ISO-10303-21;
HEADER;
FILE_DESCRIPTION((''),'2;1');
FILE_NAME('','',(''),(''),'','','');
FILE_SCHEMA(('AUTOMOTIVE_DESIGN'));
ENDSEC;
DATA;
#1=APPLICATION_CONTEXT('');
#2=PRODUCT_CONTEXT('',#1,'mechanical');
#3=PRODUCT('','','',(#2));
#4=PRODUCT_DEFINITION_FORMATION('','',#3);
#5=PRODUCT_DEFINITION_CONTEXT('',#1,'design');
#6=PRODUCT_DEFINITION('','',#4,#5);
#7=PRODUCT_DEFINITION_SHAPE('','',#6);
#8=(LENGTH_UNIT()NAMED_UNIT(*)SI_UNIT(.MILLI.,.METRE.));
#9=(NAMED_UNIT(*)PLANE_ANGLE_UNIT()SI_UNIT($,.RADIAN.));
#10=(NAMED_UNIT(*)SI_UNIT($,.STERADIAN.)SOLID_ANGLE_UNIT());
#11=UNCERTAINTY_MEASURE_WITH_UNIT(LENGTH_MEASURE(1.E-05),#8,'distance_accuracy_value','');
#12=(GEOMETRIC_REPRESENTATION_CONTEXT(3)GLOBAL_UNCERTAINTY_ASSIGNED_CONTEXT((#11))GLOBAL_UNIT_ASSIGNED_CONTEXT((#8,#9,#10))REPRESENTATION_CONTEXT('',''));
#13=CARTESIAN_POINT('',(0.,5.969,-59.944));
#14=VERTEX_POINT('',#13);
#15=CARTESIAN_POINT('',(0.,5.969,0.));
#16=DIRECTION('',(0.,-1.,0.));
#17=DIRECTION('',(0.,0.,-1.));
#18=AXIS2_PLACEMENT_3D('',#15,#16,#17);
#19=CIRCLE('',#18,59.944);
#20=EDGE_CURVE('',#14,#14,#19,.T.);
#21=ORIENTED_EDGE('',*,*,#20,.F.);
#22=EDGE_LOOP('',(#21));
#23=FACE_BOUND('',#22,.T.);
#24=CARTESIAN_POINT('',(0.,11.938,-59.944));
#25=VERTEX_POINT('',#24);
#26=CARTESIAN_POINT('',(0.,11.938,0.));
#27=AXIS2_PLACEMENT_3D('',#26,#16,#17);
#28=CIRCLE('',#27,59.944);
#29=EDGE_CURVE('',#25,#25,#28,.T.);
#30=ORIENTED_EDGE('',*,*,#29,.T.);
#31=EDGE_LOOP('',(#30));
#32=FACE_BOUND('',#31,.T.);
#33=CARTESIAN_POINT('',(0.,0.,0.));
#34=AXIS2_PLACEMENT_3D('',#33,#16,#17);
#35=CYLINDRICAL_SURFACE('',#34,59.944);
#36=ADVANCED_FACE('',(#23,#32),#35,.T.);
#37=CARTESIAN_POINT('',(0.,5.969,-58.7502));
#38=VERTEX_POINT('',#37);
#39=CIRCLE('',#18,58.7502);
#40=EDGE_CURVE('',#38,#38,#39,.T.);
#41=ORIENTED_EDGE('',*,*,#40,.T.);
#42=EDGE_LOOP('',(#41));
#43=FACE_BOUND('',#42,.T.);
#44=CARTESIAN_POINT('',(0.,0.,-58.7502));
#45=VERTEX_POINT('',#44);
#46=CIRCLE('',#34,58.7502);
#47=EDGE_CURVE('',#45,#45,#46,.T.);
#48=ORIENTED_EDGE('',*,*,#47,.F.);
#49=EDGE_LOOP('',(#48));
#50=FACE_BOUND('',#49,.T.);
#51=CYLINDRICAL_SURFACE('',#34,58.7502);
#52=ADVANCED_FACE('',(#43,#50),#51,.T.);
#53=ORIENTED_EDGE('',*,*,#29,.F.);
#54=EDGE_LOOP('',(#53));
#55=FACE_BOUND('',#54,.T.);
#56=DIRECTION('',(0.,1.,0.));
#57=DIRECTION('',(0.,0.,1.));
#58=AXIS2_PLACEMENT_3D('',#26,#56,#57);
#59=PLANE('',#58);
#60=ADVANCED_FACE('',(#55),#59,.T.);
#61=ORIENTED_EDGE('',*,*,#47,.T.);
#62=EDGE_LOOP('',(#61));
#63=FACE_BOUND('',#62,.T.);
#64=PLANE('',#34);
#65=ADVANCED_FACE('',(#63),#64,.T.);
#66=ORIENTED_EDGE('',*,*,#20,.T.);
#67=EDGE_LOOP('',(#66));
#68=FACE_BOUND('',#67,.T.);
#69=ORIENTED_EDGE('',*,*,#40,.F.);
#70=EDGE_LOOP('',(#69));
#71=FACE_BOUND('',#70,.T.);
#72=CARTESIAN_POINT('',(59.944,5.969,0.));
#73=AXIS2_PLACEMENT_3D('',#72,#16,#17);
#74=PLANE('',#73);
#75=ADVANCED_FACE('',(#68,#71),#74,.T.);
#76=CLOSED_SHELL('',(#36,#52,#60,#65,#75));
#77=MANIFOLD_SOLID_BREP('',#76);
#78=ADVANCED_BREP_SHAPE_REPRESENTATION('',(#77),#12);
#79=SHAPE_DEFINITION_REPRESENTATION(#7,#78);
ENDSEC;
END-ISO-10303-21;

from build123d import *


with BuildPart() as part:
    # Sketch1 → Revolve1 (revolve)
    with BuildSketch(Plane.XY, mode=Mode.PRIVATE) as revolve1_sk:
        Polygon((0, 0), (0, 11.938), (59.944, 11.938), (59.944, 5.969), (58.7502, 5.969), (58.7502, 0), align=None)
    revolve(revolve1_sk.sketch.rotate(Axis((0, 0, 0), (0, 1, 0)), 90), axis=Axis((0, 0, 0), (0, 1, 0)))


solid = part.part
